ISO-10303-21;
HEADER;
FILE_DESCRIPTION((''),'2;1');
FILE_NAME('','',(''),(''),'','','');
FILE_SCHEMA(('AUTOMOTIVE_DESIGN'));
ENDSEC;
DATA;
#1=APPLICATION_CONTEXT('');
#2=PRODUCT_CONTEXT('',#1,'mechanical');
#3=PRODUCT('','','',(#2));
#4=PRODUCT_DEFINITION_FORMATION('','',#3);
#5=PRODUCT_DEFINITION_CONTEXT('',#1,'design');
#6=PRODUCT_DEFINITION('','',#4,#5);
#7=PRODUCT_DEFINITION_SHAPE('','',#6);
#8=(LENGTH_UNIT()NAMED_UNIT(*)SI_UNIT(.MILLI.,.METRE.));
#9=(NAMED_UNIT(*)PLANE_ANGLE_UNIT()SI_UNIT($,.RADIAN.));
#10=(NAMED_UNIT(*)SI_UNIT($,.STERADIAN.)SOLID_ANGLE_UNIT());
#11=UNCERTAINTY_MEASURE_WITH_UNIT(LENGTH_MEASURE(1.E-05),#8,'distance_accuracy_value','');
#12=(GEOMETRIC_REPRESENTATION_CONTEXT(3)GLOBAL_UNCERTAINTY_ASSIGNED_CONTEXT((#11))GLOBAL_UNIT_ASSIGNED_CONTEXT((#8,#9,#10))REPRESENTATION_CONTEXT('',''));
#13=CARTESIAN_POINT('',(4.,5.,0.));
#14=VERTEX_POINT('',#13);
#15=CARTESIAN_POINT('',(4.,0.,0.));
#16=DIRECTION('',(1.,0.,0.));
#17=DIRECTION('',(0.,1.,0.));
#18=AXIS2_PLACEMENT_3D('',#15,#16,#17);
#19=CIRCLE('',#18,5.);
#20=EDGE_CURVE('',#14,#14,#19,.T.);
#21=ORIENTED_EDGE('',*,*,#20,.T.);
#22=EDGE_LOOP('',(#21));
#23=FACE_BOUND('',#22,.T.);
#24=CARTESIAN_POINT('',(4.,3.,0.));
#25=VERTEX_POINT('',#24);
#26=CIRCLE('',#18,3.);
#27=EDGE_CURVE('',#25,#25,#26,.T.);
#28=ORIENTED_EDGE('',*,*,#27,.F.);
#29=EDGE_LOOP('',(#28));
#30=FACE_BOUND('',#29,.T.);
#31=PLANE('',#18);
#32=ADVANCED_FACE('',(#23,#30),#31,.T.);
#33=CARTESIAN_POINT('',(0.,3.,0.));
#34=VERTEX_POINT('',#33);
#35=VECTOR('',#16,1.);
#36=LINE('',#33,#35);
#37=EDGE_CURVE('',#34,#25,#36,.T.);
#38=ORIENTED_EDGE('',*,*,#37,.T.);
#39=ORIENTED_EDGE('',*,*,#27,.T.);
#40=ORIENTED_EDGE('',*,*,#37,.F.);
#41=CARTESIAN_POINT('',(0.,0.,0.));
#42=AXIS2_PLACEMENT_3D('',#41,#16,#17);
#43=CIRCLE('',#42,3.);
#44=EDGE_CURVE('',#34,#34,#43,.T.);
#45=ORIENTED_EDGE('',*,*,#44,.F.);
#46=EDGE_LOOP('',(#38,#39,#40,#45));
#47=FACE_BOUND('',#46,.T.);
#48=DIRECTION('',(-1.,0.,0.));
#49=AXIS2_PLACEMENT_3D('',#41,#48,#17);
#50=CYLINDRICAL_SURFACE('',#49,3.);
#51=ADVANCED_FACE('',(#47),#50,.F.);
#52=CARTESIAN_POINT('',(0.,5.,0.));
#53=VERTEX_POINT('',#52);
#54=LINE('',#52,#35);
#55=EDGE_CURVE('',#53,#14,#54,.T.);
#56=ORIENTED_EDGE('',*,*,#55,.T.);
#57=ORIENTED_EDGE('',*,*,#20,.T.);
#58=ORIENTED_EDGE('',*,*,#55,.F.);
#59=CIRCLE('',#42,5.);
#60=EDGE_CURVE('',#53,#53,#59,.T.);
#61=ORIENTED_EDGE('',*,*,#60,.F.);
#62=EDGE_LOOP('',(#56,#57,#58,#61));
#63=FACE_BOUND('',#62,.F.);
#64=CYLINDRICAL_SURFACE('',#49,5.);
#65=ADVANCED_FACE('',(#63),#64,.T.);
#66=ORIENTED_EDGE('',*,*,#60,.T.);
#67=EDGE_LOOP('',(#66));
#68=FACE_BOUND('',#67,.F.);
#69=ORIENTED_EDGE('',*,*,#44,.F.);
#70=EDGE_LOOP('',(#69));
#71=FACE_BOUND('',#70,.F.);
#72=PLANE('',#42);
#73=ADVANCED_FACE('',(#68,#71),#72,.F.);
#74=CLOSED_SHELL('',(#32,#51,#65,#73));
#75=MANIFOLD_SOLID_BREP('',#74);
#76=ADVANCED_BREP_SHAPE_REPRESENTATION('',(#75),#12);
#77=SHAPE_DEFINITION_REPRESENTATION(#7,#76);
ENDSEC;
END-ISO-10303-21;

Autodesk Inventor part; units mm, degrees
ref_plane "YZ Plane" through (0, 0, 0) normal (1, 0, 0) x (0, 1, 0)
ref_plane "XZ Plane" through (0, 0, 0) normal (0, 1, 0) x (-1, 0, 0)
ref_plane "XY Plane" through (0, 0, 0) normal (0, 0, 1) x (1, 0, 0)
sketch "Sketch1" plane through (0, 0, 0) normal (1, 0, 0) x (0, 1, 0)
  circle A0 centre (0, 0) radius 3
  circle A1 centre (0, 0) radius 5
  dimension "d0" = 6
  dimension "d1" = 10
extrude "Extrusion1" add sketch "Sketch1" along normal blind 4
properties part number "4mm spacer_CPY"
